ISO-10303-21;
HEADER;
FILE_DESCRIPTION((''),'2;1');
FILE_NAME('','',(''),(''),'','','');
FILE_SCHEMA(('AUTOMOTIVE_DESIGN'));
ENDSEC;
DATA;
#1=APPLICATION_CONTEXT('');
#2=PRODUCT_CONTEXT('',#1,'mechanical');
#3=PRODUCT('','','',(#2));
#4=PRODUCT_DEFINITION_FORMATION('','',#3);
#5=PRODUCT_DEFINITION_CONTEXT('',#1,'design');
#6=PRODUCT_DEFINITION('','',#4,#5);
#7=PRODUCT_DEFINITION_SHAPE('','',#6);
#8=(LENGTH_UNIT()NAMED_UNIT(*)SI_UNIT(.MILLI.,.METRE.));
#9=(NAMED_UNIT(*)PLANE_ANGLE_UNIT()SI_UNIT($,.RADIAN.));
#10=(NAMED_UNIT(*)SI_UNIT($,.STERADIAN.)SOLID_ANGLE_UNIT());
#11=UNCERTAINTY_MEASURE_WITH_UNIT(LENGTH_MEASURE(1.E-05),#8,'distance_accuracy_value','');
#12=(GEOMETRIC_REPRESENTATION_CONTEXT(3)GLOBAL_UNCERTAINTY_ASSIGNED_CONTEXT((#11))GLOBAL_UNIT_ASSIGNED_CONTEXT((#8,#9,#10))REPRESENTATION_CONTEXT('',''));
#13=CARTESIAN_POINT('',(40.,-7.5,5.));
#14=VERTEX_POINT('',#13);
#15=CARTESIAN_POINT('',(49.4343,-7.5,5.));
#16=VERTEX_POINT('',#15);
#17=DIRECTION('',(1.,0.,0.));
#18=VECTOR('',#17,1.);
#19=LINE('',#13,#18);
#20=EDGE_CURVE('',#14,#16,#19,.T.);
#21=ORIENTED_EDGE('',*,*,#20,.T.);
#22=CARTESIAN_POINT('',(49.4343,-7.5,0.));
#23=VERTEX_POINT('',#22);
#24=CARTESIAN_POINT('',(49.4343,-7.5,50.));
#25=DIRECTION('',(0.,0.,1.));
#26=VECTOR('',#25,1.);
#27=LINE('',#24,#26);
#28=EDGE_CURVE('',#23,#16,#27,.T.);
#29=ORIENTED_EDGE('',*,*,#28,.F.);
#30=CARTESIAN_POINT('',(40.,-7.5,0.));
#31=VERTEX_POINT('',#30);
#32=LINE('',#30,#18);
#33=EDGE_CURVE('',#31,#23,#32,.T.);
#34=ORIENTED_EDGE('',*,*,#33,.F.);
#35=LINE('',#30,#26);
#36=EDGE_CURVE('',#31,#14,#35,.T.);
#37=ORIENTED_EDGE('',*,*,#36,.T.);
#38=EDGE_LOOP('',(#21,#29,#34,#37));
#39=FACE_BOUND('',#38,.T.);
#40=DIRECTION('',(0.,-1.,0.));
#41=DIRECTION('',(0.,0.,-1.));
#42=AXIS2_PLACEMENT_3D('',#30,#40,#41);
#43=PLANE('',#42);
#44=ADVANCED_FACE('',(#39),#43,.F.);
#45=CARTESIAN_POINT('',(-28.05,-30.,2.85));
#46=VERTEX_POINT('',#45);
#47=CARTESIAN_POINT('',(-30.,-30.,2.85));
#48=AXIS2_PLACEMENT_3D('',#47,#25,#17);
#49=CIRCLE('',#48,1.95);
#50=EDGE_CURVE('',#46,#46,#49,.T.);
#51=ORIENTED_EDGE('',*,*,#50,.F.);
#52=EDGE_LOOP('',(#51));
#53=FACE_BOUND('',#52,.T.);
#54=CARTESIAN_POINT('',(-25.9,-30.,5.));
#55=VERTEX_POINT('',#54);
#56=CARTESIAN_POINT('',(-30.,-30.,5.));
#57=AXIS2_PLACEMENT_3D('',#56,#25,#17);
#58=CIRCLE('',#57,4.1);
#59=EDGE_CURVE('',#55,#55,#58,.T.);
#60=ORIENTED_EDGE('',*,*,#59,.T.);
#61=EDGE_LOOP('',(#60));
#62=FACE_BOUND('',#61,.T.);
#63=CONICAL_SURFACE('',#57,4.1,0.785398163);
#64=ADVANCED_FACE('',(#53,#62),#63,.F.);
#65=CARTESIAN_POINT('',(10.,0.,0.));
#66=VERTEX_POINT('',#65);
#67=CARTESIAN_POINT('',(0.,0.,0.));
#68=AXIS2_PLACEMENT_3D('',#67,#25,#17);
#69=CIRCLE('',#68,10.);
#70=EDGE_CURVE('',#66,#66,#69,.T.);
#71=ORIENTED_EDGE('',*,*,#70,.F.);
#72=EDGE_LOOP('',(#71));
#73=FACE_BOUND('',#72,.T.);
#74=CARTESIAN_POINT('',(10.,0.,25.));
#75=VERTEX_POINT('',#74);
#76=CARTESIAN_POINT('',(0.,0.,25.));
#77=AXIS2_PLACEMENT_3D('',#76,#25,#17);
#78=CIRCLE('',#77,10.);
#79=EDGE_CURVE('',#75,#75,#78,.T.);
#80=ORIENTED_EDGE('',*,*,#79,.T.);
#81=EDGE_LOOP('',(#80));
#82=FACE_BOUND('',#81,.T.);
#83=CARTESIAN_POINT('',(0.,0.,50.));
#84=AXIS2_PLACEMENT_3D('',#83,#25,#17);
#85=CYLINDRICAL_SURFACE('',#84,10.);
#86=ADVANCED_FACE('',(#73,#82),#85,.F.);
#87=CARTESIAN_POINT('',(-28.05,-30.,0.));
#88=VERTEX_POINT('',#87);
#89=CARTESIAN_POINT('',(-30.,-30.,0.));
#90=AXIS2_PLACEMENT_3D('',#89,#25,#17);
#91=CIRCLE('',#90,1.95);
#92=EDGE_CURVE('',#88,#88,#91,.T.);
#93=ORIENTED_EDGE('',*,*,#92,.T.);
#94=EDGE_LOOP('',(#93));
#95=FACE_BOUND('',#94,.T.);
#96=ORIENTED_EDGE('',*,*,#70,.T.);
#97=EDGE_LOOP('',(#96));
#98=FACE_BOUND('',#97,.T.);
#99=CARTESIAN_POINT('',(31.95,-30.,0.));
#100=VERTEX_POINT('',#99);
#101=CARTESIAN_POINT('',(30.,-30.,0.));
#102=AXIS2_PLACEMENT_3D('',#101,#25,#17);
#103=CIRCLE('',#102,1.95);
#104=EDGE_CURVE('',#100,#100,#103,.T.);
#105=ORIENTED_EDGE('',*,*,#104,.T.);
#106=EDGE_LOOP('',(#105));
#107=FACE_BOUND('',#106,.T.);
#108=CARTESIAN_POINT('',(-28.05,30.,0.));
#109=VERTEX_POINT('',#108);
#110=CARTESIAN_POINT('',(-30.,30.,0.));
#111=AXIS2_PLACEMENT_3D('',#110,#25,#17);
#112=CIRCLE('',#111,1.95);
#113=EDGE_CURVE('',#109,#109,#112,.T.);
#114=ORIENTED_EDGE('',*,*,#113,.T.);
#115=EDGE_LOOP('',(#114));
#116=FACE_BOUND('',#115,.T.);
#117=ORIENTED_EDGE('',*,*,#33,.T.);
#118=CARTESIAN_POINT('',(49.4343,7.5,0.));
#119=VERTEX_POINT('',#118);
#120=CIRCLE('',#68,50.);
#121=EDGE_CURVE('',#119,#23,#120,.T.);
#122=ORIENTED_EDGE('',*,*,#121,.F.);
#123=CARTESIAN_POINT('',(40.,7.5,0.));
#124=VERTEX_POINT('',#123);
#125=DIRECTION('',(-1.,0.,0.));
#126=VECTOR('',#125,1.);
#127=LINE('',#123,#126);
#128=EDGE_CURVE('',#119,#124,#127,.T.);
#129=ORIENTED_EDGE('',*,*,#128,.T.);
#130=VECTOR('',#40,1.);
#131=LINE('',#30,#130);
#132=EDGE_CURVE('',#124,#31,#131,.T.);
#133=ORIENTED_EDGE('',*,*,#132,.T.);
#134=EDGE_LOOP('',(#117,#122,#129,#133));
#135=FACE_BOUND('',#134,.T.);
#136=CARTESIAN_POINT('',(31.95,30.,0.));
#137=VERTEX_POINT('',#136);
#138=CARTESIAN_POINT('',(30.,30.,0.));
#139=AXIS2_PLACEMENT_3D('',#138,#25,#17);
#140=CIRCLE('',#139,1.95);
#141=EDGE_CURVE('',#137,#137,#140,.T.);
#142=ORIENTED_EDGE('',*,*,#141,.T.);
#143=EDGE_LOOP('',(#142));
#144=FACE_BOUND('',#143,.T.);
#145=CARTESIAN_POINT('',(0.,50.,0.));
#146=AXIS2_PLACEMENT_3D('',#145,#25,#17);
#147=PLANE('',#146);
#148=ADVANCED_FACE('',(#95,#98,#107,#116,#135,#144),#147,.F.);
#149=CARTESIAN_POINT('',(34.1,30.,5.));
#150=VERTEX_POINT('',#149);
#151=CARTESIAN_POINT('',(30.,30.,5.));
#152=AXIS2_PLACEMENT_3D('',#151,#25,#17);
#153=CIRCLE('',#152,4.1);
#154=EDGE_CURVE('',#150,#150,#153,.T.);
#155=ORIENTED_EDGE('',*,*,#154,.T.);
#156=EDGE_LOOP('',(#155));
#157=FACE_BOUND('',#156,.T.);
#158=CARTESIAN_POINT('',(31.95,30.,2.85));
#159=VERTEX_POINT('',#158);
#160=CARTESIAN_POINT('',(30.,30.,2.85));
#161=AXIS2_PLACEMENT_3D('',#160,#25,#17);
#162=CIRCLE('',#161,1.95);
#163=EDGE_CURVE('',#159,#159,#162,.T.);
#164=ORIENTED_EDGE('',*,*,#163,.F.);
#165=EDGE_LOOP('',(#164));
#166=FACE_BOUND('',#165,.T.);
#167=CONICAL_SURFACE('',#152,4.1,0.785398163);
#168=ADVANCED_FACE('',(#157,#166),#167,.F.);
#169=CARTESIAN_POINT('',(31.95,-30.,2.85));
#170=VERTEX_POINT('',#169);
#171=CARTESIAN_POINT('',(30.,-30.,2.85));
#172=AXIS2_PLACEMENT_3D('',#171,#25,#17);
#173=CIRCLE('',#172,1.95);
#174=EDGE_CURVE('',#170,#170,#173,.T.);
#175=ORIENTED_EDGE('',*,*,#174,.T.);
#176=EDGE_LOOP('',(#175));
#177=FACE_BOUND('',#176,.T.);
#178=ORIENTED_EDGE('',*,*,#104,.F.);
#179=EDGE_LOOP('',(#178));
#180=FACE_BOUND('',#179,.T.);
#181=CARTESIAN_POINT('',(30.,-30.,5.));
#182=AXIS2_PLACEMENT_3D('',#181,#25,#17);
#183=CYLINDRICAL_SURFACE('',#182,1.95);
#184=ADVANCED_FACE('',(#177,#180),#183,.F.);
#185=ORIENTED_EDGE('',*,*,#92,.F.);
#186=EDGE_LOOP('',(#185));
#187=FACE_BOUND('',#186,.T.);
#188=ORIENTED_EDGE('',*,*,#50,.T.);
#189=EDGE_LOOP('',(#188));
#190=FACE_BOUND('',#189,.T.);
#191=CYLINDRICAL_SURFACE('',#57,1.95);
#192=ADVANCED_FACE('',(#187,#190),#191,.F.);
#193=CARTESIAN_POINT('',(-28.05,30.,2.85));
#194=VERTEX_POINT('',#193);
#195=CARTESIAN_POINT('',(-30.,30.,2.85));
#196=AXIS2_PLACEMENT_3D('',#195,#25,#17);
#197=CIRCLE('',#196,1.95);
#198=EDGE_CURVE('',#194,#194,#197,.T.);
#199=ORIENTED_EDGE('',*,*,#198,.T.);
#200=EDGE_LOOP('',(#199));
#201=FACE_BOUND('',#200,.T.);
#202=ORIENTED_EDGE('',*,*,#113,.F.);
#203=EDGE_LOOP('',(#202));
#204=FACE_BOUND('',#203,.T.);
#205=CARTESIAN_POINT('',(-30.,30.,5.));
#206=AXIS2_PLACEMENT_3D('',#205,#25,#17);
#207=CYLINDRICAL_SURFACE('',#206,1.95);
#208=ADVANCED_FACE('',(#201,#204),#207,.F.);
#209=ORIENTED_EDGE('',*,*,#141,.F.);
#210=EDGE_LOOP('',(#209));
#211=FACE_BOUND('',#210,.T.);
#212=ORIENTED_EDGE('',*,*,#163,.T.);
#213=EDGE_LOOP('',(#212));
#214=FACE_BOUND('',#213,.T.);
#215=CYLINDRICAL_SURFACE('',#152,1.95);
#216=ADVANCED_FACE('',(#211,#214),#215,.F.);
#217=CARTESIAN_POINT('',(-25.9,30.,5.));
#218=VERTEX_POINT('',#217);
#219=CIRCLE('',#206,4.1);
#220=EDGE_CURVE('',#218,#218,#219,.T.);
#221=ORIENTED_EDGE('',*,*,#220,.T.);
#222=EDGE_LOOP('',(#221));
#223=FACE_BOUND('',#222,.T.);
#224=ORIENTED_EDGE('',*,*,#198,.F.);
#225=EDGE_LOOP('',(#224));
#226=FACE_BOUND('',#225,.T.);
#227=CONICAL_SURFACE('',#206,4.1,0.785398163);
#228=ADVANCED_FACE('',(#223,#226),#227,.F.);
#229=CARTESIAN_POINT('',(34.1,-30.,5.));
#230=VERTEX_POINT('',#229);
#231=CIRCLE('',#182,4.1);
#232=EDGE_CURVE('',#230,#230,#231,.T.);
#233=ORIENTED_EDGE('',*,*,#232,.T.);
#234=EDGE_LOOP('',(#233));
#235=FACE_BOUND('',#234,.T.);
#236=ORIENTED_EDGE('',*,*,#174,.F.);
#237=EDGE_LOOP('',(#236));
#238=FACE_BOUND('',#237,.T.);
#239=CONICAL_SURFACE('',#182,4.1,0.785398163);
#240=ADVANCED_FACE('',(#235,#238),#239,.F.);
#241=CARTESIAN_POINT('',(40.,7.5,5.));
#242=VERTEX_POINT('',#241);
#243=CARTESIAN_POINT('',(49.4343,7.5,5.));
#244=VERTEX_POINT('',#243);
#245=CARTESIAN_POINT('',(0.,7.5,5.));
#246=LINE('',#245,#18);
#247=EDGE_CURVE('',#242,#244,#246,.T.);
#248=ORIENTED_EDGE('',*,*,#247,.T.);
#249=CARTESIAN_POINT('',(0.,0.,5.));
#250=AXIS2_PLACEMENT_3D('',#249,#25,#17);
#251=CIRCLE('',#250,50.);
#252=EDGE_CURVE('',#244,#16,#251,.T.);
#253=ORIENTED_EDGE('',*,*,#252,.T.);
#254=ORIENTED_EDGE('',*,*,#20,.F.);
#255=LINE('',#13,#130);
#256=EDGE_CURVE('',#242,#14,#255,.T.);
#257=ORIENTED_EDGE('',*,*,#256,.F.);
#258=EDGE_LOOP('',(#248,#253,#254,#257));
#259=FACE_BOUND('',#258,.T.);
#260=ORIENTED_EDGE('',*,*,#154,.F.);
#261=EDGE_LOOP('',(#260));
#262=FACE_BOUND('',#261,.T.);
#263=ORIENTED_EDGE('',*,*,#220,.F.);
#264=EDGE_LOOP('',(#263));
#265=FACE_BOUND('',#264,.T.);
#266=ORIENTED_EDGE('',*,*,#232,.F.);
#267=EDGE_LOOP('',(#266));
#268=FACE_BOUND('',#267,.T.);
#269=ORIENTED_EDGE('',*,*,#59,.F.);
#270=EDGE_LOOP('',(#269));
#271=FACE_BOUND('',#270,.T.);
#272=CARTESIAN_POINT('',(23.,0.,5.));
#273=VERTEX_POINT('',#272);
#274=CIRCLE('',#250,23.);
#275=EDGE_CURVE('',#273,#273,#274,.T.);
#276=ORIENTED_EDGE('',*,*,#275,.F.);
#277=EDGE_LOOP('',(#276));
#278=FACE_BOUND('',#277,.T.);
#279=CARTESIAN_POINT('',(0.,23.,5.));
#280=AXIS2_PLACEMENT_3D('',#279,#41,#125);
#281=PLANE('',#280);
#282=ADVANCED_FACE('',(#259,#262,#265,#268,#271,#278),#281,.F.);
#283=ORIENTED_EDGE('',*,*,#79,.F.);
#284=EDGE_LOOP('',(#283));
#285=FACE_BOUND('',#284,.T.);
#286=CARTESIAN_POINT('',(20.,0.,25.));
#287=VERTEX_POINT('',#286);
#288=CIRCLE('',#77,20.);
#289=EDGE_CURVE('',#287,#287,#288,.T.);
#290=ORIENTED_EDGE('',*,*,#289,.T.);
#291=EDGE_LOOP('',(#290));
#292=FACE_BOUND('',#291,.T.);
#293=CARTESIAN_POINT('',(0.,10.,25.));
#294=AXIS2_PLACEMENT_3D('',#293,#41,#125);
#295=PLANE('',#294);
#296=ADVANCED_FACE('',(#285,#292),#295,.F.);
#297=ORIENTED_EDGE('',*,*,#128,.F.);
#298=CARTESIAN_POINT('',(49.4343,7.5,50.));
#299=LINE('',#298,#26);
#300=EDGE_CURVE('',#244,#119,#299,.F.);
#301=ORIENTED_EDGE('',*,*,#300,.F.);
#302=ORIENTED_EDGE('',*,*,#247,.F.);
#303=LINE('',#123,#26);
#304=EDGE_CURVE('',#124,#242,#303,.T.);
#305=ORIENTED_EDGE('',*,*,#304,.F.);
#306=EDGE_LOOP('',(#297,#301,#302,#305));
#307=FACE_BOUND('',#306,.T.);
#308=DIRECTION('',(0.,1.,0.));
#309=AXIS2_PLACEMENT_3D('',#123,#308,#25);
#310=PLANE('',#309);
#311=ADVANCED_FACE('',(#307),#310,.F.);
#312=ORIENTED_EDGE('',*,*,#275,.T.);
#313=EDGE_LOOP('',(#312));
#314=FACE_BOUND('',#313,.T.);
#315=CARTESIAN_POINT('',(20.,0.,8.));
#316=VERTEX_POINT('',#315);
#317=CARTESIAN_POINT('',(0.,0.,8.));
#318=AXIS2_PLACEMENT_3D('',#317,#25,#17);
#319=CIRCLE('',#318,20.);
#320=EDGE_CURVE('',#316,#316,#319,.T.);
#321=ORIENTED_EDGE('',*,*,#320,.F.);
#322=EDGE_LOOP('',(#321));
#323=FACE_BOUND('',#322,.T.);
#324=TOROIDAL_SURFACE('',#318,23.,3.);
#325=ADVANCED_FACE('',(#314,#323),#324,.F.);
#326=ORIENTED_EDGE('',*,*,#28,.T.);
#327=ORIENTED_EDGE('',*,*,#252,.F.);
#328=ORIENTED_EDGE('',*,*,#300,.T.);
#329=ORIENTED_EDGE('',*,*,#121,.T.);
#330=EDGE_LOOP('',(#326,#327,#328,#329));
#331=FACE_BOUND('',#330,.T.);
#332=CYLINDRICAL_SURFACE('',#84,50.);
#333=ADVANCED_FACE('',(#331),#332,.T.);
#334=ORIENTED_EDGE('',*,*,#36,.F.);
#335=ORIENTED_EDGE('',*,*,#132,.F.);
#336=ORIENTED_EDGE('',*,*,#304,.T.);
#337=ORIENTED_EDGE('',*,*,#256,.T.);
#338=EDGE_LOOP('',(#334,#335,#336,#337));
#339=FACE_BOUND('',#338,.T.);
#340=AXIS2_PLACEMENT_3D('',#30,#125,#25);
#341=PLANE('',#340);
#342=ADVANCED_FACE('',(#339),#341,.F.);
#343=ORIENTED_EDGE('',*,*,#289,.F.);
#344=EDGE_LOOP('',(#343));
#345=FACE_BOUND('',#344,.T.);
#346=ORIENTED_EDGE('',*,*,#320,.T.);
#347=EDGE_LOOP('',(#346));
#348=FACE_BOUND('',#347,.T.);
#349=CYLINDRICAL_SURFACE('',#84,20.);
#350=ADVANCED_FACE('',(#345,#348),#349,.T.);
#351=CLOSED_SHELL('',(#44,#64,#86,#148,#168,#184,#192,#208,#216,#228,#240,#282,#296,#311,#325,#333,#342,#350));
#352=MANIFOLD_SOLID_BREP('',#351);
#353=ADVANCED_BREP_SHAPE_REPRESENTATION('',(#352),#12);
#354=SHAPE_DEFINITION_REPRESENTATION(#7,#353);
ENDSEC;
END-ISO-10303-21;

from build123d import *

# Parameters (mm, degrees)
SKETCH5_W                                         = 10
SKETCH5_H                                         = 15
EXTRUDE2_DEPTH                                    = 6
CSK_FOR_M3_5_FLAT_HEAD_MACHINE_SCREW1_D           = 3.9
CSK_FOR_M3_5_FLAT_HEAD_MACHINE_SCREW1_CSINK_D     = 8.2
CSK_FOR_M3_5_FLAT_HEAD_MACHINE_SCREW1_CSINK_ANGLE = 90
CIRPATTERN1_COUNT                                 = 4


with BuildPart() as part:
    # Sketch1 → Revolve1 (revolve)
    with BuildSketch(Plane(origin=(0, 0, 0), x_dir=(0, 0, -1), z_dir=(1, 0, 0))):
        with BuildLine():
            Line((0, 10), (-25, 10))
            Line((-25, 10), (-25, 20))
            Line((-25, 20), (-8, 20))
            ThreePointArc((-8, 20), (-5.878679656, 20.878679656), (-5, 23))
            Line((-5, 23), (-5, 50))
            Line((-5, 50), (0, 50))
            Line((0, 50), (0, 10))
        make_face()
    revolve(axis=Axis((0, 0, 50), (0, 0, -1)))

    # Sketch5 → Extrude2 (cut, through all)
    with BuildSketch(Plane.XY.offset(5)):
        with Locations((45, 0)):
            Rectangle(SKETCH5_W, SKETCH5_H)
    extrude(amount=-EXTRUDE2_DEPTH, mode=Mode.SUBTRACT)

    # CSK for M3.5 Flat Head Machine Screw1 (through all)
    with Locations(Plane.XY.offset(5)):
        with Locations((-30, 30)):
            csk_for_m3_5_flat_head_machine_screw1 = CounterSinkHole(CSK_FOR_M3_5_FLAT_HEAD_MACHINE_SCREW1_D / 2, CSK_FOR_M3_5_FLAT_HEAD_MACHINE_SCREW1_CSINK_D / 2, counter_sink_angle=CSK_FOR_M3_5_FLAT_HEAD_MACHINE_SCREW1_CSINK_ANGLE)

    # CirPattern1: CSK for M3.5 Flat Head Machine Screw1 ×4 about axis
    cirpattern1_axis = Axis((0, 0, 0), (0, 0, 1))
    for i in range(1, CIRPATTERN1_COUNT):
        add(csk_for_m3_5_flat_head_machine_screw1.rotate(cirpattern1_axis, i * 360 / CIRPATTERN1_COUNT), mode=Mode.SUBTRACT)


solid = part.part
